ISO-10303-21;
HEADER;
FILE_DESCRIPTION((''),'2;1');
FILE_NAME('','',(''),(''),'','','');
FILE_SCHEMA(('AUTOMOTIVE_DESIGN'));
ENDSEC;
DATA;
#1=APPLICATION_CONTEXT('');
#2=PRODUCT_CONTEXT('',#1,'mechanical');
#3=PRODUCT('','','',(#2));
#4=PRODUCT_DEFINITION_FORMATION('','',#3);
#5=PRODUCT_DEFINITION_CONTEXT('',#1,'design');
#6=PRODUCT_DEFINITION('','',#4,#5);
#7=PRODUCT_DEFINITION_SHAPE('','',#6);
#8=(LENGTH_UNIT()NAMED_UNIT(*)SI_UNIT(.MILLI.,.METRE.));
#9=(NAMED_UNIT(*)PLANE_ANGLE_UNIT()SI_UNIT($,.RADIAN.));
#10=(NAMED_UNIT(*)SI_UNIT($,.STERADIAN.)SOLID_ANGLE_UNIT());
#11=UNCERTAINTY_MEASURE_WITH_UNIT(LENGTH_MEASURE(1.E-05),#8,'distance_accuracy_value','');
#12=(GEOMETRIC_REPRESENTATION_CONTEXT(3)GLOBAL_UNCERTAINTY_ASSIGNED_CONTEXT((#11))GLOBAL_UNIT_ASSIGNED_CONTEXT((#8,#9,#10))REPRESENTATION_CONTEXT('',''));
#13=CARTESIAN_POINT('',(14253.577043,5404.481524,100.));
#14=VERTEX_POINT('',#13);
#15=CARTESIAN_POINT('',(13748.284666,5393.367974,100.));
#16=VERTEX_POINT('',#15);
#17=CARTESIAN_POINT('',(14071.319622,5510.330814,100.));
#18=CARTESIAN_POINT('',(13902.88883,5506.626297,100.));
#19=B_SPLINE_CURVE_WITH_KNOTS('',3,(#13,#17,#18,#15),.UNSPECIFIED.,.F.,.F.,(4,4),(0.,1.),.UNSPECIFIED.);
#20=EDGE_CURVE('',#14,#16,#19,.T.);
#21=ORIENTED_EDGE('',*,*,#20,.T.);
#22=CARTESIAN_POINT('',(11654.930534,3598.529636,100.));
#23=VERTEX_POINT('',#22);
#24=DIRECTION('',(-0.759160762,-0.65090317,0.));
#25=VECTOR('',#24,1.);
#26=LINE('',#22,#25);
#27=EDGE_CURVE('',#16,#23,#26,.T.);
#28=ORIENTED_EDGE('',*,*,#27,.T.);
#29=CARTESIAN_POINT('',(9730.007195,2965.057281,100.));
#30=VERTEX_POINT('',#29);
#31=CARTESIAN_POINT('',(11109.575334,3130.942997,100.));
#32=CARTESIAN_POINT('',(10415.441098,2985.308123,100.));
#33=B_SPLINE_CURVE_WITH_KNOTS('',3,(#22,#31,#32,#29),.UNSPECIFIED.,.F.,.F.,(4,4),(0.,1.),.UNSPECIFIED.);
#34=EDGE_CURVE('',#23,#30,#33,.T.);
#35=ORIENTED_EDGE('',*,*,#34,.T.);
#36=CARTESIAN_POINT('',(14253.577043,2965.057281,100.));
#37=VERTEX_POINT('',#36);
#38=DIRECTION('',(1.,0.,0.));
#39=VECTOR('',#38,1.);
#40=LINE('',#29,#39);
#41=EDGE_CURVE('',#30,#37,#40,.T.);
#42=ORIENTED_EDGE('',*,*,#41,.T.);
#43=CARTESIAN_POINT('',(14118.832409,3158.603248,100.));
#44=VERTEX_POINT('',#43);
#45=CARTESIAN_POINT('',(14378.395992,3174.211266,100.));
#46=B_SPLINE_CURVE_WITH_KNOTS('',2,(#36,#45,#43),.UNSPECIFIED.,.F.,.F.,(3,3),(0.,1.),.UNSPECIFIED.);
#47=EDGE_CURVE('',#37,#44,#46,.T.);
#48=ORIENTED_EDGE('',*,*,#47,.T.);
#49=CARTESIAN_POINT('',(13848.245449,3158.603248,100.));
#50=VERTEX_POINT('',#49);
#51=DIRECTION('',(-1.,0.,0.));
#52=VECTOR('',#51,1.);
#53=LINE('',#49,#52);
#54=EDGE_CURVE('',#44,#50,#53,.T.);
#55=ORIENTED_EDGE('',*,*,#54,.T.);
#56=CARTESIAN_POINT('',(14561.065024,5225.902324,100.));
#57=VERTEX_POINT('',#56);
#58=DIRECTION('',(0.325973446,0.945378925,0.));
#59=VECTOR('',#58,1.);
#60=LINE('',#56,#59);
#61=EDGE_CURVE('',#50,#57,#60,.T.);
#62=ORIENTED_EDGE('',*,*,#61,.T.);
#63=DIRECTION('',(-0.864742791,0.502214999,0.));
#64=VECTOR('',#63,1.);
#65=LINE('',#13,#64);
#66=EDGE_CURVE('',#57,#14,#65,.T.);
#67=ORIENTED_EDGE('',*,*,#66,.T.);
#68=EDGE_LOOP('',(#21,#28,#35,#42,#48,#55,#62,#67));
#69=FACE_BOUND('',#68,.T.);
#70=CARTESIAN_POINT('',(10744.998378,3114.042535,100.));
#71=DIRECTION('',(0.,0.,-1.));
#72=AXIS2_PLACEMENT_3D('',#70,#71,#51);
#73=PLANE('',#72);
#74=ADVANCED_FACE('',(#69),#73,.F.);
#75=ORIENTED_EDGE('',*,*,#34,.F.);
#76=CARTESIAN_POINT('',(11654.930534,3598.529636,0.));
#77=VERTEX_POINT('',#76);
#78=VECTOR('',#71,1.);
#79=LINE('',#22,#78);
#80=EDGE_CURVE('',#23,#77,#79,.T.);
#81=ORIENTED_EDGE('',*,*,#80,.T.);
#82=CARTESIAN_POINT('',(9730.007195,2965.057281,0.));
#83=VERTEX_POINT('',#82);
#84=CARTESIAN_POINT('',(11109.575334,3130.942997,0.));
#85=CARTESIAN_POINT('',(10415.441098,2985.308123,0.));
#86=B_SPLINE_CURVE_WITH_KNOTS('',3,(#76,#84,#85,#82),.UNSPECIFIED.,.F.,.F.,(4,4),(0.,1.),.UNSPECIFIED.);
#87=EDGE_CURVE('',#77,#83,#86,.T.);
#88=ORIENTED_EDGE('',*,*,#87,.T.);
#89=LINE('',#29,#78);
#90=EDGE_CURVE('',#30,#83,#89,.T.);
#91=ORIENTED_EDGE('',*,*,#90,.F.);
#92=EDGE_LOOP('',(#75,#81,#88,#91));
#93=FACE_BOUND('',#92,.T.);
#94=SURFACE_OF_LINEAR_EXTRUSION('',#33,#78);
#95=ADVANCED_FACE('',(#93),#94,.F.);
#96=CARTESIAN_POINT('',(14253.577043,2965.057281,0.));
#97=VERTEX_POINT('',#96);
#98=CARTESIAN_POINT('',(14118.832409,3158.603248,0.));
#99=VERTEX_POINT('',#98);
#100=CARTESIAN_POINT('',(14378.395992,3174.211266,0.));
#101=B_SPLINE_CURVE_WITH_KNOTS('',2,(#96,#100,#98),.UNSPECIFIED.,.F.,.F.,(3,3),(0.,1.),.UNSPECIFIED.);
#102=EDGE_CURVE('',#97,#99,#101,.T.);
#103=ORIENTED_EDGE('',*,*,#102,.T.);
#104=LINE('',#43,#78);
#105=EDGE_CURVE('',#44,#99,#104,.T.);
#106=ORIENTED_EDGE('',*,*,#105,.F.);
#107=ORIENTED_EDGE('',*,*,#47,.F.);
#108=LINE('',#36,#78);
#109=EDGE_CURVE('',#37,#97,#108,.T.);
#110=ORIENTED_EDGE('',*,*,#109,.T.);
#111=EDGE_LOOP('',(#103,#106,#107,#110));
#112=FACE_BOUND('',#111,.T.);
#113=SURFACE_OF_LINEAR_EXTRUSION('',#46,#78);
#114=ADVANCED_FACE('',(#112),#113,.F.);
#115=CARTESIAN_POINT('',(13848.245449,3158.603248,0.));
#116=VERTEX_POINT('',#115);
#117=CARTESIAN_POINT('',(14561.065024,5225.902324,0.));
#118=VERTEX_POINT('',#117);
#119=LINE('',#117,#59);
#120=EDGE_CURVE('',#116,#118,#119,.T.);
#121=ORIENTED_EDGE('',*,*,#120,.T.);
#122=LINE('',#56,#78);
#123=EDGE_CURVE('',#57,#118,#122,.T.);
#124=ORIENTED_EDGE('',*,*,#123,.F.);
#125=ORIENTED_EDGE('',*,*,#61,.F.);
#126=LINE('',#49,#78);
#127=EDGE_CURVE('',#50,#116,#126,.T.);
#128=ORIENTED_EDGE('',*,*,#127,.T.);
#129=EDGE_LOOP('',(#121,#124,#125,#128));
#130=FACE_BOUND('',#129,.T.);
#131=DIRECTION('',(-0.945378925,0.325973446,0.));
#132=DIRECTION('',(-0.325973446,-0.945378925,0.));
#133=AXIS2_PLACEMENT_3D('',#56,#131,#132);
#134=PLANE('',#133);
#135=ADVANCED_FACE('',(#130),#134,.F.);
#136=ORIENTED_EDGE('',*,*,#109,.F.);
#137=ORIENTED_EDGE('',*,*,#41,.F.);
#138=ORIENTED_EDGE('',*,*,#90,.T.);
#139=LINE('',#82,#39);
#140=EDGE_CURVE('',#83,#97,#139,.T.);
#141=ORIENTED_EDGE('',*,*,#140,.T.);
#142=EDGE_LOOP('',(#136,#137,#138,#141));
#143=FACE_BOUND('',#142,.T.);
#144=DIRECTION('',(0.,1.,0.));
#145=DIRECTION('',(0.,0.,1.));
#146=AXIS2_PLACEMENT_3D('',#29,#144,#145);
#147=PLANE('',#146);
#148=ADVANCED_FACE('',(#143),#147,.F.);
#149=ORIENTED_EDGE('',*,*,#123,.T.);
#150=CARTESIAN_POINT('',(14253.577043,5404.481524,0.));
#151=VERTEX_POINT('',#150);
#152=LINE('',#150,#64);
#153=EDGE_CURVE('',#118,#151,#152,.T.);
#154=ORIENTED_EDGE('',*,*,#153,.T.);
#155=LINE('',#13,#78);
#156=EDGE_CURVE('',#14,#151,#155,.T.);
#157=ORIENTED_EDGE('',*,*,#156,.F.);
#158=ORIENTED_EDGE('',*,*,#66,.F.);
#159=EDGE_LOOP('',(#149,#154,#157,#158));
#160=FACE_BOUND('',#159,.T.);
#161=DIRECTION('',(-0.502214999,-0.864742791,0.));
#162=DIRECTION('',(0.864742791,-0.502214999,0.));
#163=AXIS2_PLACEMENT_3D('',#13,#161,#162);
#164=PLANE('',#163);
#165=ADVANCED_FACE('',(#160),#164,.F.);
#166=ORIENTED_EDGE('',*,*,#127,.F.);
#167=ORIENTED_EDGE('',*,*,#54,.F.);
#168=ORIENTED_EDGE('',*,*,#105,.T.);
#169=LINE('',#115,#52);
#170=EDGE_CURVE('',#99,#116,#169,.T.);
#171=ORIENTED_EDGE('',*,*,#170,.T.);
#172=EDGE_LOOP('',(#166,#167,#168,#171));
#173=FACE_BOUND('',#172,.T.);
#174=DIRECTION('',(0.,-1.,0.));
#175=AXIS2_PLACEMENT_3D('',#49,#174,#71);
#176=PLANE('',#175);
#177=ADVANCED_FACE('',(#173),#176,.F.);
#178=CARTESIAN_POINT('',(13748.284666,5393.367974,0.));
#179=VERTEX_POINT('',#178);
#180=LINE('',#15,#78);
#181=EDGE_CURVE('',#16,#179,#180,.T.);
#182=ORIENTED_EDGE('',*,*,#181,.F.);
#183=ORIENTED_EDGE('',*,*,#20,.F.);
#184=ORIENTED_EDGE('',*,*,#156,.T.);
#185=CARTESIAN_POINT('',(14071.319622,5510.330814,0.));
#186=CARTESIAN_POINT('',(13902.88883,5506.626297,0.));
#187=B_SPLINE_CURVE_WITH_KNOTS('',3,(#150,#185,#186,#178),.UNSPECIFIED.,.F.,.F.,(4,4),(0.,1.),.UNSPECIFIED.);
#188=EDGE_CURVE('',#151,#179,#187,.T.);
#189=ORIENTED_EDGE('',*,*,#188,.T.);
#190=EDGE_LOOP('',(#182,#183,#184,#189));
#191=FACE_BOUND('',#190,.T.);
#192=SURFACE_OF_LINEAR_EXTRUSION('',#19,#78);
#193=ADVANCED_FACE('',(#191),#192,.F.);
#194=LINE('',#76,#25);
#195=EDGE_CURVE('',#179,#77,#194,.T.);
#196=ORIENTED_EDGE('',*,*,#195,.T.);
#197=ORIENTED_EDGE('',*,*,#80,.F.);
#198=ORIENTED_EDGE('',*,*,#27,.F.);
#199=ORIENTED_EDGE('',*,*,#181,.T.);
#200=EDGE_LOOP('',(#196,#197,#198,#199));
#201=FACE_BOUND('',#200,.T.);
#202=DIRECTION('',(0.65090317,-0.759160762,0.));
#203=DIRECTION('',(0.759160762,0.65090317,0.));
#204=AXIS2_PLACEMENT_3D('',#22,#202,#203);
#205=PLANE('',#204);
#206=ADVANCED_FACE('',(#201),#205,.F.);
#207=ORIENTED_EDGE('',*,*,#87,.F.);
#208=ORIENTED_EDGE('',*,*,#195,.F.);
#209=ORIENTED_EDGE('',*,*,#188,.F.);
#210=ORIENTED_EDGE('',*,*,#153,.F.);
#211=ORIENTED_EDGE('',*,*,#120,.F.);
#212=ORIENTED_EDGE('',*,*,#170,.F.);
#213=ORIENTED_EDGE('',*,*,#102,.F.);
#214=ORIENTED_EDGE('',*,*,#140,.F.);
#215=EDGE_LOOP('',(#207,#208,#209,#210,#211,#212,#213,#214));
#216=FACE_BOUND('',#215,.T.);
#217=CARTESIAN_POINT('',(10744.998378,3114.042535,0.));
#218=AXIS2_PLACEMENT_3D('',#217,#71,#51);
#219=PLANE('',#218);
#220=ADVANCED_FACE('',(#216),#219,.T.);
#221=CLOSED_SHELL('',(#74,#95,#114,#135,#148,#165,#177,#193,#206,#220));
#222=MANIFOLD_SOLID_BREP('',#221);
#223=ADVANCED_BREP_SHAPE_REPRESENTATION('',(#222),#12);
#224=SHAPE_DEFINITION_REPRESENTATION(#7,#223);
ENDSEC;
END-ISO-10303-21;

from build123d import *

# Parameters (mm, degrees)
BOSS_EXTRU_1_DEPTH = 100


with BuildPart() as part:
    # Esquisse1 → Boss.-Extru.1 (new body)
    with BuildSketch(Plane.XY):
        with BuildLine():
            Line((11654.93053423, 3598.529635923), (13748.284665994, 5393.367974263))
            add(Edge.make_bspline(
                [(13748.284665994, 5393.367974263), (13902.888830204, 5506.626297242), (14071.319622415, 5510.330813937), (14253.577042626, 5404.481524346)],
                knots=[0, 0, 0, 0, 1, 1, 1, 1], degree=3))
            Line((14253.577042626, 5404.481524346), (14561.065024047, 5225.902323822))
            Line((14561.065024047, 5225.902323822), (13848.245448642, 3158.60324779))
            Line((13848.245448642, 3158.60324779), (14118.832408858, 3158.60324779))
            add(Edge.make_bspline(
                [(14118.832408858, 3158.60324779), (14378.395991656, 3174.211265678), (14253.577042626, 2965.057281214)],
                knots=[0, 0, 0, 1, 1, 1], degree=2))
            Line((14253.577042626, 2965.057281214), (9730.007194676, 2965.057281214))
            add(Edge.make_bspline(
                [(9730.007194676, 2965.057281214), (10415.441098181, 2985.308122708), (11109.57533367, 3130.942997271), (11654.93053423, 3598.529635923)],
                knots=[0, 0, 0, 0, 1, 1, 1, 1], degree=3))
        make_face()
    extrude(amount=BOSS_EXTRU_1_DEPTH)


solid = part.part
